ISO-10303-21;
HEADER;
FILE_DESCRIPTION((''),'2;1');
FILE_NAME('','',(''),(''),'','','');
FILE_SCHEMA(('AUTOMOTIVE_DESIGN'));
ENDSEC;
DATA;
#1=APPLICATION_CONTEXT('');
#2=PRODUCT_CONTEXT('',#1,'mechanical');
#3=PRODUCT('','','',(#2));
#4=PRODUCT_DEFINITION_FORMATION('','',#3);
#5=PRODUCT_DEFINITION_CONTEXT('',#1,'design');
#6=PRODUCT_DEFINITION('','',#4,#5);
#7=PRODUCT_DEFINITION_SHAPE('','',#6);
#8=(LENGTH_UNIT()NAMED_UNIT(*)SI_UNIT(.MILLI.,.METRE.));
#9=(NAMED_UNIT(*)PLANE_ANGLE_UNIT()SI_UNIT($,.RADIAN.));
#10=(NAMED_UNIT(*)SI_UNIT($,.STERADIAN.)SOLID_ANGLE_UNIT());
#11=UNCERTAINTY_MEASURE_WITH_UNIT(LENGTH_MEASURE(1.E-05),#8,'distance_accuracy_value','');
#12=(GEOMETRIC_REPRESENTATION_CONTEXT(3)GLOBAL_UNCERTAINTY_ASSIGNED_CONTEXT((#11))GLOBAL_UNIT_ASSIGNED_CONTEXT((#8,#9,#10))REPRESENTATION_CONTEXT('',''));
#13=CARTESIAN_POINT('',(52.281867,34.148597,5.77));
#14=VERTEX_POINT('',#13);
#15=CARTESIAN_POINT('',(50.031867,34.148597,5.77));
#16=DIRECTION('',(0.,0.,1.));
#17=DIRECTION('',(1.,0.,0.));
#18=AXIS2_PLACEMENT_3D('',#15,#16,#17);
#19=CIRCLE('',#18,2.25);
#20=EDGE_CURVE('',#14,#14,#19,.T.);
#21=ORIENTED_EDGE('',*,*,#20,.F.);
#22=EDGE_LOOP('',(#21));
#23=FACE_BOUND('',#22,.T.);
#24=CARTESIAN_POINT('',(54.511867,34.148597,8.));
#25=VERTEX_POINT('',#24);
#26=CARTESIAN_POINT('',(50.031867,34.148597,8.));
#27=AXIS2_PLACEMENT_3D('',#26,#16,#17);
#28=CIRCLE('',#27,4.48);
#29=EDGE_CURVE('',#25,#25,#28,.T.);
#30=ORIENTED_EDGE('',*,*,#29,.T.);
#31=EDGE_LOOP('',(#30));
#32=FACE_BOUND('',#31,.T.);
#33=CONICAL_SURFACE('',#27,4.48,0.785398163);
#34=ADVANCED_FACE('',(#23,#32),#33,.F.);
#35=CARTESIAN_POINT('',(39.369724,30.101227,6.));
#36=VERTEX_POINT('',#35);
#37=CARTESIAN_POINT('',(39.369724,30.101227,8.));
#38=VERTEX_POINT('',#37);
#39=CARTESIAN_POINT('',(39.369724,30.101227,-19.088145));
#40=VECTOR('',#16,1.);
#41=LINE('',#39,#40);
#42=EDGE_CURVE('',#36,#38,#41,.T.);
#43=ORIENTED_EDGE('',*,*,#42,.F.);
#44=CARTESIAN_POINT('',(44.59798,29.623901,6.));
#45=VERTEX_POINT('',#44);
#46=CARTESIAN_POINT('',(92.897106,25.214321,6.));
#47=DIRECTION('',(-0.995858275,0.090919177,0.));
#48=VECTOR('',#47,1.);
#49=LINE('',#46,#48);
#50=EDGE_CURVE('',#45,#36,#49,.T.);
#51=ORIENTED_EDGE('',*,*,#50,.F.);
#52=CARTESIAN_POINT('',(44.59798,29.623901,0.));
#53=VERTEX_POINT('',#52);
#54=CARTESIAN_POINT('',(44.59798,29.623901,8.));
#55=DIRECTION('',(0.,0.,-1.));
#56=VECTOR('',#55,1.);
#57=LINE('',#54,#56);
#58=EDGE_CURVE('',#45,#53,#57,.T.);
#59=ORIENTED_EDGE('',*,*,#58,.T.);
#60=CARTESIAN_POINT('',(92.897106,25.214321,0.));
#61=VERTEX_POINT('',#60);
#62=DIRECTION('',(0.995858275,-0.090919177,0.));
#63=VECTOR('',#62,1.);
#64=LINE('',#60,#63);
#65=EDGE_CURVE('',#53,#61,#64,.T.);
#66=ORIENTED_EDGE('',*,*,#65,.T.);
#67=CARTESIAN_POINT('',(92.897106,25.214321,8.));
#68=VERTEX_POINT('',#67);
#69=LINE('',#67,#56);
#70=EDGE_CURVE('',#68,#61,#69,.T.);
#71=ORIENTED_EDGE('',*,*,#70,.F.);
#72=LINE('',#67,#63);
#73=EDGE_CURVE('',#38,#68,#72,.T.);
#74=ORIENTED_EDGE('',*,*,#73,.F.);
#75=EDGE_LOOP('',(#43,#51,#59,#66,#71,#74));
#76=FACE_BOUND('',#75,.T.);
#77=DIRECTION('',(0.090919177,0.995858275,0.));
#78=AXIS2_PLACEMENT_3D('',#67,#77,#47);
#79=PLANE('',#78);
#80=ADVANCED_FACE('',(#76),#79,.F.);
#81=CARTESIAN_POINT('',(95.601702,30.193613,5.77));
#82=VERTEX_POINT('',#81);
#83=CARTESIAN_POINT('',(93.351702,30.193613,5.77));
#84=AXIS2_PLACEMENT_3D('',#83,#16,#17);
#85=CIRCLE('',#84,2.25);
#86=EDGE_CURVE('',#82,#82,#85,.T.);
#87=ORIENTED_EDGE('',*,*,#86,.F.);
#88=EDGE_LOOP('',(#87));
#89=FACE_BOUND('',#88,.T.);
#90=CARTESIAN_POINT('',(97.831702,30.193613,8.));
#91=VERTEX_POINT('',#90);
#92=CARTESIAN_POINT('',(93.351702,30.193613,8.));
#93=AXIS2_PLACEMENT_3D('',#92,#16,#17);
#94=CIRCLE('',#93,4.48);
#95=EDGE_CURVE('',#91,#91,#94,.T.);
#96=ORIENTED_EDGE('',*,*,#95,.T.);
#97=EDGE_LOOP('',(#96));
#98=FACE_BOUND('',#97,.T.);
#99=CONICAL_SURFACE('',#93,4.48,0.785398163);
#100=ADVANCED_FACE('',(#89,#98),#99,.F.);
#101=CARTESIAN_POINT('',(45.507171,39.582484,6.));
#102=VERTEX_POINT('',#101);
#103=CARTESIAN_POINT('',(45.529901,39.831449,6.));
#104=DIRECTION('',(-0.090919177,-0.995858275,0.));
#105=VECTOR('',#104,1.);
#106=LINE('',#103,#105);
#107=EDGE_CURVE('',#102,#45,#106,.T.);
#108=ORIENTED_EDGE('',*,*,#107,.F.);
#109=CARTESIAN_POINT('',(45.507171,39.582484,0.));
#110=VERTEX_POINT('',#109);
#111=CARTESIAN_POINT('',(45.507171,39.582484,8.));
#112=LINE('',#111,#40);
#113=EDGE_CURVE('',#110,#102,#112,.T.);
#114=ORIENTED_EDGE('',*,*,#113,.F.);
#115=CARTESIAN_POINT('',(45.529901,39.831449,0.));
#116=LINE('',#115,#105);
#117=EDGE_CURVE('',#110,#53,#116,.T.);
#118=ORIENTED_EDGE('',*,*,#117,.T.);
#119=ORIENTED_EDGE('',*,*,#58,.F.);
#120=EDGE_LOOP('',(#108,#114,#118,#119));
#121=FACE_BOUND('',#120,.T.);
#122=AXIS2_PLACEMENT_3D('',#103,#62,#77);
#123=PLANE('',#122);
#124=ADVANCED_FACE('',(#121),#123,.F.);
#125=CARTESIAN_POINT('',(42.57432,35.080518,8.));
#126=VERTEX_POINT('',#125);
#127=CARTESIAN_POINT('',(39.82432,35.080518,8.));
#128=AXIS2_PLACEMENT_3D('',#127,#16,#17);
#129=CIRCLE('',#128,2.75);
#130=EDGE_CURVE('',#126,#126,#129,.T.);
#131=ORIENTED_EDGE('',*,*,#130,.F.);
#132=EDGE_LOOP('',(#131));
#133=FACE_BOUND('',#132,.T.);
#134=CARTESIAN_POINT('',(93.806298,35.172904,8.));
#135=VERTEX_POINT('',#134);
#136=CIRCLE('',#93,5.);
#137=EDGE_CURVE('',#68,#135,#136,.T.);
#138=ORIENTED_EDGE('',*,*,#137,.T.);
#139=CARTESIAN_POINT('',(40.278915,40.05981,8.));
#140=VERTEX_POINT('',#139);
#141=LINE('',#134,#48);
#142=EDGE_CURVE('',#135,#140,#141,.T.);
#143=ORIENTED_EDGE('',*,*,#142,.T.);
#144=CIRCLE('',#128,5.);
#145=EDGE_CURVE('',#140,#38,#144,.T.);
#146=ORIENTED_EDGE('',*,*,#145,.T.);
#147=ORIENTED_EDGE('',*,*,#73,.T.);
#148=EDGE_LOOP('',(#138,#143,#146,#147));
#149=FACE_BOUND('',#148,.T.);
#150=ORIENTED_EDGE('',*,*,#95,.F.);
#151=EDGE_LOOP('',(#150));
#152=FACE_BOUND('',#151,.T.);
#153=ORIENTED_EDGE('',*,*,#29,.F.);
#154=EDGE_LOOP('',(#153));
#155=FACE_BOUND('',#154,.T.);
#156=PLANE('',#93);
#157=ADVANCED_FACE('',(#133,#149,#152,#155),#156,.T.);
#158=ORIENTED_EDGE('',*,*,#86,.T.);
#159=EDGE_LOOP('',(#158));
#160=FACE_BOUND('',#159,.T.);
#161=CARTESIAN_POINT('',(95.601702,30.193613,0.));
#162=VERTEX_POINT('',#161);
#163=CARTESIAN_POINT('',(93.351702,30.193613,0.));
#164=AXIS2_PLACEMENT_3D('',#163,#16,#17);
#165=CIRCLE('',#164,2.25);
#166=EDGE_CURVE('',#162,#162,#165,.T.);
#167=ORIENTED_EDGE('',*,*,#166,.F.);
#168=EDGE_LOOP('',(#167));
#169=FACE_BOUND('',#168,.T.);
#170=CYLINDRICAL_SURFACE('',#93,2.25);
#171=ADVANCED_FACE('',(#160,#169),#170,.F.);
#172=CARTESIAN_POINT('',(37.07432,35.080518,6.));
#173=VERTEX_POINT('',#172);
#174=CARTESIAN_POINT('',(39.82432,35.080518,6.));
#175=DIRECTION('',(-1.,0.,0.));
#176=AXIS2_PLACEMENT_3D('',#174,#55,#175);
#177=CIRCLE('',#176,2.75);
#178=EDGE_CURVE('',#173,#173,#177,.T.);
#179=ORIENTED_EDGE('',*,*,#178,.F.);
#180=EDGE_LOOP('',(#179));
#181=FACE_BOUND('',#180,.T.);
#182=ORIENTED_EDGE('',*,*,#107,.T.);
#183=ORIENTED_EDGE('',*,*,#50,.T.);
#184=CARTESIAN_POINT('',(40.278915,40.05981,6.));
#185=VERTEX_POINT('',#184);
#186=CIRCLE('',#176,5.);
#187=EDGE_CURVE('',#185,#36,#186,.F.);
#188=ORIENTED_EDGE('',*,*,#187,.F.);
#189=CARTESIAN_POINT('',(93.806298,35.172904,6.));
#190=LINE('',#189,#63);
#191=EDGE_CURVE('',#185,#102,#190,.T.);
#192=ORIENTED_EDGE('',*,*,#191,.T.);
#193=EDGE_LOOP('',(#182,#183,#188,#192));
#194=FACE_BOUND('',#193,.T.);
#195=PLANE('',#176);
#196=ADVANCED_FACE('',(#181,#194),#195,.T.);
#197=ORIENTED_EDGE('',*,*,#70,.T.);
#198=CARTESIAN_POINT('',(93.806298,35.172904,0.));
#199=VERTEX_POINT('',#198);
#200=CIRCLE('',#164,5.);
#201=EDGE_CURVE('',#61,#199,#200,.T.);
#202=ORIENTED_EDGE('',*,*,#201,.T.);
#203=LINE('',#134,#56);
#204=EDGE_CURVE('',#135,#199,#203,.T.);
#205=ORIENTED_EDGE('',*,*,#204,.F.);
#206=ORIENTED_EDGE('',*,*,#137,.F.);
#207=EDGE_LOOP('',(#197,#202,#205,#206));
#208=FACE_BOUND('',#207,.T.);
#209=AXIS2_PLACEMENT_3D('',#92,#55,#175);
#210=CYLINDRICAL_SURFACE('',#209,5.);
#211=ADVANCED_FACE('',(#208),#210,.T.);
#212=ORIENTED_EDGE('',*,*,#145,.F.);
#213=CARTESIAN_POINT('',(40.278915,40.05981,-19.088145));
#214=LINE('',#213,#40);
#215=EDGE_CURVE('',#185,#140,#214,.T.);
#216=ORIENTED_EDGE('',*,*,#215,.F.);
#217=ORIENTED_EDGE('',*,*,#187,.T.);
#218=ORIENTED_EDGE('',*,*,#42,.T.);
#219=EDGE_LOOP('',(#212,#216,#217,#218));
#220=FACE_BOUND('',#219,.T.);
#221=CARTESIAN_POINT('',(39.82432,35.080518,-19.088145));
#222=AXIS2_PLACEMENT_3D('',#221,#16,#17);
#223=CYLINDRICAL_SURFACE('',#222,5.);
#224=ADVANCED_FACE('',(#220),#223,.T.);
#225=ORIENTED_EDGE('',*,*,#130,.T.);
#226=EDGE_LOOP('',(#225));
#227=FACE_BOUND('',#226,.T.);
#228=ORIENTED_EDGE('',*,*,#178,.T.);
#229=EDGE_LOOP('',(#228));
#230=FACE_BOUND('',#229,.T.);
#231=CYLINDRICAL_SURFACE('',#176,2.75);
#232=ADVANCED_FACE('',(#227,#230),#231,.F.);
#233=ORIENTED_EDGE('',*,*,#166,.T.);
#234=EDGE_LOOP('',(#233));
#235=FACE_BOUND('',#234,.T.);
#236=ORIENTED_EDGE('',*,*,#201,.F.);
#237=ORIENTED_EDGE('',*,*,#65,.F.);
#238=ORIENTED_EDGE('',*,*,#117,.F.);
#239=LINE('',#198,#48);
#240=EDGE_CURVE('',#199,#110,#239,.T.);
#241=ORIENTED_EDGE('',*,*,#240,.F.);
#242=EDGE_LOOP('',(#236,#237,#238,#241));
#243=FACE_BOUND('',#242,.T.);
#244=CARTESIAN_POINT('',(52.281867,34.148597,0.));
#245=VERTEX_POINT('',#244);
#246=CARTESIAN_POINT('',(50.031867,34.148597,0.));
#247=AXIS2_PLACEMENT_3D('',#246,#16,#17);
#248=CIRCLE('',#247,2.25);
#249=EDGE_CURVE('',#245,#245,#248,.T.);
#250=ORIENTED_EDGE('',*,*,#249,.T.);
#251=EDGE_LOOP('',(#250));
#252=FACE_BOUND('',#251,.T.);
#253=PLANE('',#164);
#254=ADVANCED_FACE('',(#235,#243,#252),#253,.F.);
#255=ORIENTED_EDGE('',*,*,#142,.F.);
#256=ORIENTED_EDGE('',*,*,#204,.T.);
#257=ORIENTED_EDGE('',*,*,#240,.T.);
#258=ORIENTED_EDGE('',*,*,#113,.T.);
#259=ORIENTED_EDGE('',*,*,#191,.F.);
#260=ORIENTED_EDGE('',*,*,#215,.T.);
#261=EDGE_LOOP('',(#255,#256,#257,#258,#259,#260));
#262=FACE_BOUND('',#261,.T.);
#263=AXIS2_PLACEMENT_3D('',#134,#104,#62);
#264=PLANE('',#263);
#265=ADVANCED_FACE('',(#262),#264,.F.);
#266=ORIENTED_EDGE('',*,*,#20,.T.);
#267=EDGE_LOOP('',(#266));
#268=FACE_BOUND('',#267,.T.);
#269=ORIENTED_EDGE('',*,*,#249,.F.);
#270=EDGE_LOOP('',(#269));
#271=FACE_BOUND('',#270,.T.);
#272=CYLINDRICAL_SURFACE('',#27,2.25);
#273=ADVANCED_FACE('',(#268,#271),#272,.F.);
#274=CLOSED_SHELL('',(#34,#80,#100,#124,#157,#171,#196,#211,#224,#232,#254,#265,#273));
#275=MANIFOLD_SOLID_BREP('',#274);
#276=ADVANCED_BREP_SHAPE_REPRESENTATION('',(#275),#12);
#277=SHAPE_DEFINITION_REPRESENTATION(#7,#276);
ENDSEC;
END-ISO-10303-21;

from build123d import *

# Parameters (mm, degrees)
BOSS_EXTRUDE1_DEPTH                                  = 8
CSK_FOR_M4_HEX_SOCKET_COUNTERSUNK_CAP_SC_D           = 4.5
CSK_FOR_M4_HEX_SOCKET_COUNTERSUNK_CAP_SC_CSINK_D     = 8.96
CSK_FOR_M4_HEX_SOCKET_COUNTERSUNK_CAP_SC_CSINK_ANGLE = 90
BOSS_EXTRUDE2_START                                  = -8
BOSS_EXTRUDE2_DEPTH                                  = 8
CUT_EXTRUDE1_DEPTH                                   = 6
M5_CLEARANCE_HOLE1_D                                 = 5.5


with BuildPart() as part:
    # Sketch1 → Boss-Extrude1 (new body)
    with BuildSketch(Plane.XY):
        with BuildLine():
            Line((92.897105977, 25.214321252), (49.577271028, 29.169305441))
            ThreePointArc((49.577271028, 29.169305441), (45.052575538, 34.603192698), (50.486462795, 39.127888188))
            Line((50.486462795, 39.127888188), (93.806297745, 35.172903999))
            ThreePointArc((93.806297745, 35.172903999), (98.330993235, 29.739016742), (92.897105977, 25.214321252))
        make_face()
    extrude(amount=BOSS_EXTRUDE1_DEPTH)

    # CSK for M4 Hex Socket Countersunk Cap Screw1 (through all)
    with Locations(Plane.XY.offset(8)):
        with Locations((93.351701861, 30.193612626), (50.031866911, 34.148596814)):
            CounterSinkHole(CSK_FOR_M4_HEX_SOCKET_COUNTERSUNK_CAP_SC_D / 2, CSK_FOR_M4_HEX_SOCKET_COUNTERSUNK_CAP_SC_CSINK_D / 2, counter_sink_angle=CSK_FOR_M4_HEX_SOCKET_COUNTERSUNK_CAP_SC_CSINK_ANGLE)

    # Sketch6 → Boss-Extrude2 (add)
    with BuildSketch(Plane.XY.offset(8).offset(BOSS_EXTRUDE2_START)):
        with BuildLine():
            Line((39.369723712, 30.101227002), (49.577271028, 29.169305441))
            ThreePointArc((49.577271028, 29.169305441), (45.052575538, 34.603192698), (50.486462795, 39.127888188))
            Line((50.486462795, 39.127888188), (40.278915479, 40.059809749))
            ThreePointArc((40.278915479, 40.059809749), (34.845028222, 35.535114259), (39.369723712, 30.101227002))
        make_face()
    extrude(amount=BOSS_EXTRUDE2_DEPTH)

    # Sketch8 → Cut-Extrude1 (cut)
    with BuildSketch(Plane(origin=(0, 0, 0), x_dir=(-1, 0, 0), z_dir=(0, 0, -1))):
        with BuildLine():
            Line((-39.346993918, 29.852262433), (-44.57524986, 29.374936756))
            Line((-44.57524986, 29.374936756), (-45.529901216, 39.83144864))
            Line((-45.529901216, 39.83144864), (-40.301645274, 40.308774318))
            ThreePointArc((-40.301645274, 40.308774318), (-34.596063653, 35.557844054), (-39.346993918, 29.852262433))
        make_face()
    extrude(amount=-CUT_EXTRUDE1_DEPTH, mode=Mode.SUBTRACT)

    # M5 Clearance Hole1 (through all)
    with Locations(Plane(origin=(0, 0, 6), x_dir=(-1, 0, 0), z_dir=(0, 0, -1))):
        with Locations((-39.824319596, 35.080518376)):
            Hole(M5_CLEARANCE_HOLE1_D / 2)


solid = part.part
